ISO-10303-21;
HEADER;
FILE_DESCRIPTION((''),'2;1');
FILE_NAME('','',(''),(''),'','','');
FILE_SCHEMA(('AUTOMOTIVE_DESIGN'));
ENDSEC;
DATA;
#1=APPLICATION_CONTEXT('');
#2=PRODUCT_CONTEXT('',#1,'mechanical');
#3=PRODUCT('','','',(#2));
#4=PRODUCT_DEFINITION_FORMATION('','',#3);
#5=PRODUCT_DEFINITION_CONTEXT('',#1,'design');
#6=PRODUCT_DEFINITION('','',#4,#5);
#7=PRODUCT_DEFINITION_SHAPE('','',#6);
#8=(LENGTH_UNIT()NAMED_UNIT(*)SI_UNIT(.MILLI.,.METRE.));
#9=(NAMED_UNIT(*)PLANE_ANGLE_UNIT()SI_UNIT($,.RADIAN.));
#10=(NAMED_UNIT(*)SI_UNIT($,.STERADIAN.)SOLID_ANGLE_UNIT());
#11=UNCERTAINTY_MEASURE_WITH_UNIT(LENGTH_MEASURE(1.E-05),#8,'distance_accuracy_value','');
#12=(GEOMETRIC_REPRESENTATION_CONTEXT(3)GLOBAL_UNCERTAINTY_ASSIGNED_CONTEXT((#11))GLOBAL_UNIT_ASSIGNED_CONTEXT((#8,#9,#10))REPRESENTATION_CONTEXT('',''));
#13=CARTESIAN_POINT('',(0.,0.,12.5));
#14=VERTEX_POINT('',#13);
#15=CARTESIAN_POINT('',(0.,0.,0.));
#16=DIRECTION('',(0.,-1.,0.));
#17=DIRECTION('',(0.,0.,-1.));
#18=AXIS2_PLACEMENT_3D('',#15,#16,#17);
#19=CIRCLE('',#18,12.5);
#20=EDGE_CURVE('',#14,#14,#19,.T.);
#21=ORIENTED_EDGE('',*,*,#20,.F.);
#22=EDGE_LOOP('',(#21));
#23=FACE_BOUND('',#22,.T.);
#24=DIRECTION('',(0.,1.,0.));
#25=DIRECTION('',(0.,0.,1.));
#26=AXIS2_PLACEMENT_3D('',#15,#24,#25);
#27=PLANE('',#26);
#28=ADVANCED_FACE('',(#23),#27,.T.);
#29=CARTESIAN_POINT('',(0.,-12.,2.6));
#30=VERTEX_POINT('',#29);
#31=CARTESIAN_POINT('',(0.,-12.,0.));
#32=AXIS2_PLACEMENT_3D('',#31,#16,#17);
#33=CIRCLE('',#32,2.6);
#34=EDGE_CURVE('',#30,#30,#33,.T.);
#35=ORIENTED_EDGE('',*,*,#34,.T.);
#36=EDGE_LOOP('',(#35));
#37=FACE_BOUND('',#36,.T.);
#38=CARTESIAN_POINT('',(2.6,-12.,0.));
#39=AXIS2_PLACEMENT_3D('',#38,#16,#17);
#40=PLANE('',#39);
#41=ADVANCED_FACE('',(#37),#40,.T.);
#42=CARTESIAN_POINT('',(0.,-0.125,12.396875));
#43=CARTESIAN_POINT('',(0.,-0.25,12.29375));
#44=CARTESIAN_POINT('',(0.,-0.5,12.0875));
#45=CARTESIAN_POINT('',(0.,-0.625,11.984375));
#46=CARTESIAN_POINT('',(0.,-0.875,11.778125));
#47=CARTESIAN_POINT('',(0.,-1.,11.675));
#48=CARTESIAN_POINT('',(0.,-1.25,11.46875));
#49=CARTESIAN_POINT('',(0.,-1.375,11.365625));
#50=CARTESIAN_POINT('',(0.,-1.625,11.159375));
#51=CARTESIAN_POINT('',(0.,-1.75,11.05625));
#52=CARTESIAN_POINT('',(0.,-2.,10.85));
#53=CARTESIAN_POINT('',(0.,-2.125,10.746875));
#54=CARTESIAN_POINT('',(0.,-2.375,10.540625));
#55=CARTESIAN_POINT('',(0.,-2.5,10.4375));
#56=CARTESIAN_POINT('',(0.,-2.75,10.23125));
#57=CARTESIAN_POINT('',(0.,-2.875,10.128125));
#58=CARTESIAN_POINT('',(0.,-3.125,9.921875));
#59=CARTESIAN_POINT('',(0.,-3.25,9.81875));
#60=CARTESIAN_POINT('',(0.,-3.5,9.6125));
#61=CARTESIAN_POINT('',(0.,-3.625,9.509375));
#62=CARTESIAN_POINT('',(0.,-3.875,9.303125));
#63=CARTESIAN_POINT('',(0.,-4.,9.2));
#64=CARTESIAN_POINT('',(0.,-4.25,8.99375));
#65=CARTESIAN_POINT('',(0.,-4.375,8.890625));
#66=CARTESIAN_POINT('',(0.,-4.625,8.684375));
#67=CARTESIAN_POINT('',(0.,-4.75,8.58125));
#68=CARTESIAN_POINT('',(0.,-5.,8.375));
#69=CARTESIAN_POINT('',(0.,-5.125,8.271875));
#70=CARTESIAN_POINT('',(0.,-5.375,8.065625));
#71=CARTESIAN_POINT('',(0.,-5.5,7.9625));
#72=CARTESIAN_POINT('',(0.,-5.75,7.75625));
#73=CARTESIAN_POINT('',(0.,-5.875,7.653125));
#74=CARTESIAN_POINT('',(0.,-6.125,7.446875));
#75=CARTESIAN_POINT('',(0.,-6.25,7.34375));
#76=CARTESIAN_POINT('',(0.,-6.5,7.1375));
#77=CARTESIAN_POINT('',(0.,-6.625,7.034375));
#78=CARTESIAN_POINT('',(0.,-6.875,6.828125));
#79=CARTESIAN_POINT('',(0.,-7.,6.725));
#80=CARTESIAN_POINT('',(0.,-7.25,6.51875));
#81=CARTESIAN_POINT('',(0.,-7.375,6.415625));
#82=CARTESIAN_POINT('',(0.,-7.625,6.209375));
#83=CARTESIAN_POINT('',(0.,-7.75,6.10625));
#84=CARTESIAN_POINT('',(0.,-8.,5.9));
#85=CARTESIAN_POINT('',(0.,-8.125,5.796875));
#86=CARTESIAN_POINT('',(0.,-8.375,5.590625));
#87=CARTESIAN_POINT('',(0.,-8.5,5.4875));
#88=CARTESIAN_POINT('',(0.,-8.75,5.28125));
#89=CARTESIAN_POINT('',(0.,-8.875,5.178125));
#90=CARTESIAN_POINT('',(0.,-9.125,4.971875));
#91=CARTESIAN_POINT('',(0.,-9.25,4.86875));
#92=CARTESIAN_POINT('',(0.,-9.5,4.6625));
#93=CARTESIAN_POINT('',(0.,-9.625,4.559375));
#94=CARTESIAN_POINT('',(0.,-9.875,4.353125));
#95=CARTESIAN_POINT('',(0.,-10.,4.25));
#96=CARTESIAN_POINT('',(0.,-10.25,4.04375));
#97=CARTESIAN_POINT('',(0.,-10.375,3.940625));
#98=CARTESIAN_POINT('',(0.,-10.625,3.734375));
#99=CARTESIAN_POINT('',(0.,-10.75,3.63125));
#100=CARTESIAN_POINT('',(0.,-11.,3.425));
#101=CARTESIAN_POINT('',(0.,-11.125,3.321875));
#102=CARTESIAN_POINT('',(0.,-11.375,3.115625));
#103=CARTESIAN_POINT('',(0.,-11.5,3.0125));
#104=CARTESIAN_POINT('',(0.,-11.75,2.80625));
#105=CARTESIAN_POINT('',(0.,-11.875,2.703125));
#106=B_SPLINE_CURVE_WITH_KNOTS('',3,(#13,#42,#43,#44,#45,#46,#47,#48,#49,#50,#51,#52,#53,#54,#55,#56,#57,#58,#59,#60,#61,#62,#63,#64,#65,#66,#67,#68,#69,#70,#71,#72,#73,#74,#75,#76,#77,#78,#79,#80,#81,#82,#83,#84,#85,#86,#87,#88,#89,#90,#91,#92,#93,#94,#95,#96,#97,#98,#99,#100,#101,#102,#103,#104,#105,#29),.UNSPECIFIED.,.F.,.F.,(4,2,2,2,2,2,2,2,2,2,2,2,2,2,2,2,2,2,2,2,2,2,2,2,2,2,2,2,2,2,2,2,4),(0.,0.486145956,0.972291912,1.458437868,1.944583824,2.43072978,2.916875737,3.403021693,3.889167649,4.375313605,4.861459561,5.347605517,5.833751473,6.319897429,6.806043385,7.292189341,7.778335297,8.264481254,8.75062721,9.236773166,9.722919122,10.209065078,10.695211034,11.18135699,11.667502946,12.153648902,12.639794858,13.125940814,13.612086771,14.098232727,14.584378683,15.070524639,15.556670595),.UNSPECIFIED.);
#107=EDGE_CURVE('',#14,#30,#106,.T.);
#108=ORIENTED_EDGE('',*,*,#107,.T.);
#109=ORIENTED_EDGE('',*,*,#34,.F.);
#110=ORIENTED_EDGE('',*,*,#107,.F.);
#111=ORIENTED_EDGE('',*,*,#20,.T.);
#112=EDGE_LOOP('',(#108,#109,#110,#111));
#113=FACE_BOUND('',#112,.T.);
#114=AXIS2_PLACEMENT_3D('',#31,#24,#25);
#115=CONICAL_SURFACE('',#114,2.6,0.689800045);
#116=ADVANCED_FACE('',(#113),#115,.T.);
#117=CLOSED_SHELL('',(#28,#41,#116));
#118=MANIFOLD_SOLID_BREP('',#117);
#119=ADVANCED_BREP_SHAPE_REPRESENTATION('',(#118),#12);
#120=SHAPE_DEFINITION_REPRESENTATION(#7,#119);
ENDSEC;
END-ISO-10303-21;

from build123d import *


with BuildPart() as part:
    # Sketch1 → Cono_de_union (revolve)
    with BuildSketch(Plane.XY, mode=Mode.PRIVATE) as cono_de_union_sk:
        Polygon((0, 0), (12.5, 0), (2.6, -12), (0, -12), align=None)
    revolve(cono_de_union_sk.sketch.rotate(Axis((0, -16, 0), (0, 1, 0)), 270), axis=Axis((0, -16, 0), (0, 1, 0)))


solid = part.part
